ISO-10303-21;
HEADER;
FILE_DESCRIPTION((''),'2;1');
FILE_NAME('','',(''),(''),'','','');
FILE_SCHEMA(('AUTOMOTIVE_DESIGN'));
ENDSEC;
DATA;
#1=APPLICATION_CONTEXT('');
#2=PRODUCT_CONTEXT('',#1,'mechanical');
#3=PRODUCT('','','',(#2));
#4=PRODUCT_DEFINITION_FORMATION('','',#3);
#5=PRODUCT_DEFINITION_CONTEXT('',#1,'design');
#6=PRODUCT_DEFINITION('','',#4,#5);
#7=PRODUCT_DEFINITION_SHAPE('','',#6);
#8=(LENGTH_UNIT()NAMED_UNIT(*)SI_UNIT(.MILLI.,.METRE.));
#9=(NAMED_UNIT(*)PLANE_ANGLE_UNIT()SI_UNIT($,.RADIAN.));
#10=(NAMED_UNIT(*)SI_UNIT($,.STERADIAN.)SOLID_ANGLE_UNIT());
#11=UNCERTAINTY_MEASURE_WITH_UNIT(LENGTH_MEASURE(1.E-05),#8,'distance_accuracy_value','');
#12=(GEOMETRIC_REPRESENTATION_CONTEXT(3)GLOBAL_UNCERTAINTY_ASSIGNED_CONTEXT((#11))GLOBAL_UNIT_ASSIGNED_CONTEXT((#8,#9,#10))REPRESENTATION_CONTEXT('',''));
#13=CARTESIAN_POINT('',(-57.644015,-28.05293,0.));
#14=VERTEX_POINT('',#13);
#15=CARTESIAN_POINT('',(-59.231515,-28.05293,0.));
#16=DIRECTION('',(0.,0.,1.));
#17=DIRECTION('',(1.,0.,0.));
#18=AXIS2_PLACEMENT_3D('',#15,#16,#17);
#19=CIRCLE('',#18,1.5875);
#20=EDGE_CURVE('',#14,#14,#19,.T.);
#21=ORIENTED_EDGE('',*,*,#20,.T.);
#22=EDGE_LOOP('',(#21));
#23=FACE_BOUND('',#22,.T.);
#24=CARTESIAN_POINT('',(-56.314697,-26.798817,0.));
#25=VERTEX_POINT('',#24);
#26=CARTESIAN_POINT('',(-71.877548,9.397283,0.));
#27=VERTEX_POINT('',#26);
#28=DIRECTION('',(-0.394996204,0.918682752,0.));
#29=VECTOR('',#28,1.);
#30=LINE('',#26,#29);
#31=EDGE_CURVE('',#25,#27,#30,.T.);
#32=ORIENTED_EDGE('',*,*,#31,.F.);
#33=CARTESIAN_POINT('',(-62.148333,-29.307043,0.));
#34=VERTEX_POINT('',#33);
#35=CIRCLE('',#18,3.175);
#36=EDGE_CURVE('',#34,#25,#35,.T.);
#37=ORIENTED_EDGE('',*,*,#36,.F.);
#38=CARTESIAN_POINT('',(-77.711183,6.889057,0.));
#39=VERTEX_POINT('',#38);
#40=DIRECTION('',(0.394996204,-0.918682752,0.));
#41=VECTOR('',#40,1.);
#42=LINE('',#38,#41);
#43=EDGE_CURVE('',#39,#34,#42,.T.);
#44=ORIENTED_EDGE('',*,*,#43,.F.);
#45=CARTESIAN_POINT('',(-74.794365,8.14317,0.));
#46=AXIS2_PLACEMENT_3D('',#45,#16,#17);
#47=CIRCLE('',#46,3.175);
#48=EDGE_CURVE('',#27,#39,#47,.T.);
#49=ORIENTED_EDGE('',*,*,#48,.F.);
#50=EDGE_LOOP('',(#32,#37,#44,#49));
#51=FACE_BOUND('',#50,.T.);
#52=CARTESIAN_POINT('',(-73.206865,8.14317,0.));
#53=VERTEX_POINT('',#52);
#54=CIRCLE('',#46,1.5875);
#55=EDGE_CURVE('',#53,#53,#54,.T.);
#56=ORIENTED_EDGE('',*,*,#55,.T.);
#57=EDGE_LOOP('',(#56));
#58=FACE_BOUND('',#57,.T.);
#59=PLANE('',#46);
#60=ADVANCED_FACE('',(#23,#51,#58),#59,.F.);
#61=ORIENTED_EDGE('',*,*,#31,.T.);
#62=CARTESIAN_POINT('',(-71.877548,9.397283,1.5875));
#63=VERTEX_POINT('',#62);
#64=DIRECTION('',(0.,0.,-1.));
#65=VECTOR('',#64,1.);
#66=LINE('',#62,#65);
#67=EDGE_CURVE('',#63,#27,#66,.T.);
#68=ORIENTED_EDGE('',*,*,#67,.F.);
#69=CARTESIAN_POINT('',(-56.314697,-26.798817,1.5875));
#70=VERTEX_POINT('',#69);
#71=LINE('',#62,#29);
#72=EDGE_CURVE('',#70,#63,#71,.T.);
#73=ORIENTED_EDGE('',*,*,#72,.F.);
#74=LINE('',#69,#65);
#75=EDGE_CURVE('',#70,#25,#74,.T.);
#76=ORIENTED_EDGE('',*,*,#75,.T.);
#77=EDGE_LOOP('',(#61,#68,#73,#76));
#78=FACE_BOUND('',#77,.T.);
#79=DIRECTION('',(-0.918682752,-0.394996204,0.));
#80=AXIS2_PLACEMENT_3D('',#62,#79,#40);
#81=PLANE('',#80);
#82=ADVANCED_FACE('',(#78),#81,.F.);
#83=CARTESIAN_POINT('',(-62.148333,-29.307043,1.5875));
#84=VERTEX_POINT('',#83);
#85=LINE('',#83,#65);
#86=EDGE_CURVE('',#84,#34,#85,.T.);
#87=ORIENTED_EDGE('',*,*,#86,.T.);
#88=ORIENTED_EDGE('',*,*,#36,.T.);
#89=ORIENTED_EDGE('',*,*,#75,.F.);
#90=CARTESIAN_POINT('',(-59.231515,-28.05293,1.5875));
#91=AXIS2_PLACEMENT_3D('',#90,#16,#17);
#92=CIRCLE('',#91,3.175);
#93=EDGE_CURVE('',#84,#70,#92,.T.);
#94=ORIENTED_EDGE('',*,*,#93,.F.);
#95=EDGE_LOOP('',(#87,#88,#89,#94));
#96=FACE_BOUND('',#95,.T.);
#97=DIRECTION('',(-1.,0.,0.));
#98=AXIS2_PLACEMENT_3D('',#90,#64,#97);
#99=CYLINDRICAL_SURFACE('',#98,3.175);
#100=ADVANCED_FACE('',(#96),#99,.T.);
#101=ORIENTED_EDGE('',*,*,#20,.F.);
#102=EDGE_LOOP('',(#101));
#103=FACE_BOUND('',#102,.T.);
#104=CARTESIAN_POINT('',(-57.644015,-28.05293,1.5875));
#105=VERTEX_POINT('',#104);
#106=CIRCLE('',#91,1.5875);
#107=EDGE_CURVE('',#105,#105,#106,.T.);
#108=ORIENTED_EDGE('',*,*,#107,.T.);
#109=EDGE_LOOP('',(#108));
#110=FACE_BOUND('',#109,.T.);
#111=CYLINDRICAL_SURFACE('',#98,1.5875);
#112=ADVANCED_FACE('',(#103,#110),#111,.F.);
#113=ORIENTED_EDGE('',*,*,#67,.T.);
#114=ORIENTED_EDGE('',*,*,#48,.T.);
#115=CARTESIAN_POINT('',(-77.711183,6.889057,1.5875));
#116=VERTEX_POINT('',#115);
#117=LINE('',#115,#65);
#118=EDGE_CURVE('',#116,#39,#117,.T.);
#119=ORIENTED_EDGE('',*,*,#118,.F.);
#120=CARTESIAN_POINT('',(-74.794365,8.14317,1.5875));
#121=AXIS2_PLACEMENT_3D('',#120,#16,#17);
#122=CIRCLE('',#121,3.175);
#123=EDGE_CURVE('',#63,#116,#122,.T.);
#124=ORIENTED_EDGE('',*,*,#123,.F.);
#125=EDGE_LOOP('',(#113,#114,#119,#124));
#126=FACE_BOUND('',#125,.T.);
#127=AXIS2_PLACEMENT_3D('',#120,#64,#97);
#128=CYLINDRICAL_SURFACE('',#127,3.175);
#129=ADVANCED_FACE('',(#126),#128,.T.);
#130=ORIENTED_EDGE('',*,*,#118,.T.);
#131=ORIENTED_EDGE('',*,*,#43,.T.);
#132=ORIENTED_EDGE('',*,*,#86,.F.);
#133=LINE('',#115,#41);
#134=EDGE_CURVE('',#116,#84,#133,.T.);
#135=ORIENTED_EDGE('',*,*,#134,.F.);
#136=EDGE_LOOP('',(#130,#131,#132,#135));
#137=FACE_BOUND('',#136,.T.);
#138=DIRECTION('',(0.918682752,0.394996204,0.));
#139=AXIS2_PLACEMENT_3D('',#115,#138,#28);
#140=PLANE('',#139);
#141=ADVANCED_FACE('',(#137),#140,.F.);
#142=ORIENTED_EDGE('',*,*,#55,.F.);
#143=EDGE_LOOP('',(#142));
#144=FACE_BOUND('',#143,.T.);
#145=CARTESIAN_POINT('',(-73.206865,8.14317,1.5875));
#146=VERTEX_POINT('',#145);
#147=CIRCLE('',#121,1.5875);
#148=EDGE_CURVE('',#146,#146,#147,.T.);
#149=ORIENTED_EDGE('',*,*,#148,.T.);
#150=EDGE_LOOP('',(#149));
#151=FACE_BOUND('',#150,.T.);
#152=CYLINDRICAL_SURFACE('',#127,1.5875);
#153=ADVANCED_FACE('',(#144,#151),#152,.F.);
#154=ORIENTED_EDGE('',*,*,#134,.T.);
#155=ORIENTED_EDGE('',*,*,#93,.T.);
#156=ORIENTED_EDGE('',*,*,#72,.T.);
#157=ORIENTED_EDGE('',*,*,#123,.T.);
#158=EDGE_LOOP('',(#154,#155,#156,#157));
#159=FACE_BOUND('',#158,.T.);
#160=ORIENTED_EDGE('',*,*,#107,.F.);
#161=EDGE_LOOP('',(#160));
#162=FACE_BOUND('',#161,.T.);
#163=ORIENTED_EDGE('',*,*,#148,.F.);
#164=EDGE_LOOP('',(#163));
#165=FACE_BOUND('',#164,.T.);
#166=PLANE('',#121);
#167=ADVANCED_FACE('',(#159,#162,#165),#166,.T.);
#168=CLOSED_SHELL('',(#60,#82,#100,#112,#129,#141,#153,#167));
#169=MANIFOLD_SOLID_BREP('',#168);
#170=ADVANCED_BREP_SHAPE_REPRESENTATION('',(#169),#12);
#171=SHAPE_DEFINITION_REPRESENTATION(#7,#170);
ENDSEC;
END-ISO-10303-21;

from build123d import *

# Parameters (mm, degrees)
SKETCH1_R           = 1.5875
BOSS_EXTRUDE1_DEPTH = 1.5875


with BuildPart() as part:
    # Sketch1 → Boss-Extrude1 (new body)
    with BuildSketch(Plane.XY):
        with BuildLine():
            Line((-71.877547643, 9.397283152), (-56.314697223, -26.798817285))
            ThreePointArc((-56.314697223, -26.798817285), (-57.977402015, -30.969747969), (-62.1483327, -29.307043177))
            Line((-62.1483327, -29.307043177), (-77.711183119, 6.88905726))
            ThreePointArc((-77.711183119, 6.88905726), (-76.048478327, 11.059987944), (-71.877547643, 9.397283152))
        make_face()
        with Locations((-59.231514961, -28.052930231)):
            Circle(SKETCH1_R, mode=Mode.SUBTRACT)
        with Locations((-74.794365381, 8.143170206)):
            Circle(SKETCH1_R, mode=Mode.SUBTRACT)
    extrude(amount=BOSS_EXTRUDE1_DEPTH)


solid = part.part
